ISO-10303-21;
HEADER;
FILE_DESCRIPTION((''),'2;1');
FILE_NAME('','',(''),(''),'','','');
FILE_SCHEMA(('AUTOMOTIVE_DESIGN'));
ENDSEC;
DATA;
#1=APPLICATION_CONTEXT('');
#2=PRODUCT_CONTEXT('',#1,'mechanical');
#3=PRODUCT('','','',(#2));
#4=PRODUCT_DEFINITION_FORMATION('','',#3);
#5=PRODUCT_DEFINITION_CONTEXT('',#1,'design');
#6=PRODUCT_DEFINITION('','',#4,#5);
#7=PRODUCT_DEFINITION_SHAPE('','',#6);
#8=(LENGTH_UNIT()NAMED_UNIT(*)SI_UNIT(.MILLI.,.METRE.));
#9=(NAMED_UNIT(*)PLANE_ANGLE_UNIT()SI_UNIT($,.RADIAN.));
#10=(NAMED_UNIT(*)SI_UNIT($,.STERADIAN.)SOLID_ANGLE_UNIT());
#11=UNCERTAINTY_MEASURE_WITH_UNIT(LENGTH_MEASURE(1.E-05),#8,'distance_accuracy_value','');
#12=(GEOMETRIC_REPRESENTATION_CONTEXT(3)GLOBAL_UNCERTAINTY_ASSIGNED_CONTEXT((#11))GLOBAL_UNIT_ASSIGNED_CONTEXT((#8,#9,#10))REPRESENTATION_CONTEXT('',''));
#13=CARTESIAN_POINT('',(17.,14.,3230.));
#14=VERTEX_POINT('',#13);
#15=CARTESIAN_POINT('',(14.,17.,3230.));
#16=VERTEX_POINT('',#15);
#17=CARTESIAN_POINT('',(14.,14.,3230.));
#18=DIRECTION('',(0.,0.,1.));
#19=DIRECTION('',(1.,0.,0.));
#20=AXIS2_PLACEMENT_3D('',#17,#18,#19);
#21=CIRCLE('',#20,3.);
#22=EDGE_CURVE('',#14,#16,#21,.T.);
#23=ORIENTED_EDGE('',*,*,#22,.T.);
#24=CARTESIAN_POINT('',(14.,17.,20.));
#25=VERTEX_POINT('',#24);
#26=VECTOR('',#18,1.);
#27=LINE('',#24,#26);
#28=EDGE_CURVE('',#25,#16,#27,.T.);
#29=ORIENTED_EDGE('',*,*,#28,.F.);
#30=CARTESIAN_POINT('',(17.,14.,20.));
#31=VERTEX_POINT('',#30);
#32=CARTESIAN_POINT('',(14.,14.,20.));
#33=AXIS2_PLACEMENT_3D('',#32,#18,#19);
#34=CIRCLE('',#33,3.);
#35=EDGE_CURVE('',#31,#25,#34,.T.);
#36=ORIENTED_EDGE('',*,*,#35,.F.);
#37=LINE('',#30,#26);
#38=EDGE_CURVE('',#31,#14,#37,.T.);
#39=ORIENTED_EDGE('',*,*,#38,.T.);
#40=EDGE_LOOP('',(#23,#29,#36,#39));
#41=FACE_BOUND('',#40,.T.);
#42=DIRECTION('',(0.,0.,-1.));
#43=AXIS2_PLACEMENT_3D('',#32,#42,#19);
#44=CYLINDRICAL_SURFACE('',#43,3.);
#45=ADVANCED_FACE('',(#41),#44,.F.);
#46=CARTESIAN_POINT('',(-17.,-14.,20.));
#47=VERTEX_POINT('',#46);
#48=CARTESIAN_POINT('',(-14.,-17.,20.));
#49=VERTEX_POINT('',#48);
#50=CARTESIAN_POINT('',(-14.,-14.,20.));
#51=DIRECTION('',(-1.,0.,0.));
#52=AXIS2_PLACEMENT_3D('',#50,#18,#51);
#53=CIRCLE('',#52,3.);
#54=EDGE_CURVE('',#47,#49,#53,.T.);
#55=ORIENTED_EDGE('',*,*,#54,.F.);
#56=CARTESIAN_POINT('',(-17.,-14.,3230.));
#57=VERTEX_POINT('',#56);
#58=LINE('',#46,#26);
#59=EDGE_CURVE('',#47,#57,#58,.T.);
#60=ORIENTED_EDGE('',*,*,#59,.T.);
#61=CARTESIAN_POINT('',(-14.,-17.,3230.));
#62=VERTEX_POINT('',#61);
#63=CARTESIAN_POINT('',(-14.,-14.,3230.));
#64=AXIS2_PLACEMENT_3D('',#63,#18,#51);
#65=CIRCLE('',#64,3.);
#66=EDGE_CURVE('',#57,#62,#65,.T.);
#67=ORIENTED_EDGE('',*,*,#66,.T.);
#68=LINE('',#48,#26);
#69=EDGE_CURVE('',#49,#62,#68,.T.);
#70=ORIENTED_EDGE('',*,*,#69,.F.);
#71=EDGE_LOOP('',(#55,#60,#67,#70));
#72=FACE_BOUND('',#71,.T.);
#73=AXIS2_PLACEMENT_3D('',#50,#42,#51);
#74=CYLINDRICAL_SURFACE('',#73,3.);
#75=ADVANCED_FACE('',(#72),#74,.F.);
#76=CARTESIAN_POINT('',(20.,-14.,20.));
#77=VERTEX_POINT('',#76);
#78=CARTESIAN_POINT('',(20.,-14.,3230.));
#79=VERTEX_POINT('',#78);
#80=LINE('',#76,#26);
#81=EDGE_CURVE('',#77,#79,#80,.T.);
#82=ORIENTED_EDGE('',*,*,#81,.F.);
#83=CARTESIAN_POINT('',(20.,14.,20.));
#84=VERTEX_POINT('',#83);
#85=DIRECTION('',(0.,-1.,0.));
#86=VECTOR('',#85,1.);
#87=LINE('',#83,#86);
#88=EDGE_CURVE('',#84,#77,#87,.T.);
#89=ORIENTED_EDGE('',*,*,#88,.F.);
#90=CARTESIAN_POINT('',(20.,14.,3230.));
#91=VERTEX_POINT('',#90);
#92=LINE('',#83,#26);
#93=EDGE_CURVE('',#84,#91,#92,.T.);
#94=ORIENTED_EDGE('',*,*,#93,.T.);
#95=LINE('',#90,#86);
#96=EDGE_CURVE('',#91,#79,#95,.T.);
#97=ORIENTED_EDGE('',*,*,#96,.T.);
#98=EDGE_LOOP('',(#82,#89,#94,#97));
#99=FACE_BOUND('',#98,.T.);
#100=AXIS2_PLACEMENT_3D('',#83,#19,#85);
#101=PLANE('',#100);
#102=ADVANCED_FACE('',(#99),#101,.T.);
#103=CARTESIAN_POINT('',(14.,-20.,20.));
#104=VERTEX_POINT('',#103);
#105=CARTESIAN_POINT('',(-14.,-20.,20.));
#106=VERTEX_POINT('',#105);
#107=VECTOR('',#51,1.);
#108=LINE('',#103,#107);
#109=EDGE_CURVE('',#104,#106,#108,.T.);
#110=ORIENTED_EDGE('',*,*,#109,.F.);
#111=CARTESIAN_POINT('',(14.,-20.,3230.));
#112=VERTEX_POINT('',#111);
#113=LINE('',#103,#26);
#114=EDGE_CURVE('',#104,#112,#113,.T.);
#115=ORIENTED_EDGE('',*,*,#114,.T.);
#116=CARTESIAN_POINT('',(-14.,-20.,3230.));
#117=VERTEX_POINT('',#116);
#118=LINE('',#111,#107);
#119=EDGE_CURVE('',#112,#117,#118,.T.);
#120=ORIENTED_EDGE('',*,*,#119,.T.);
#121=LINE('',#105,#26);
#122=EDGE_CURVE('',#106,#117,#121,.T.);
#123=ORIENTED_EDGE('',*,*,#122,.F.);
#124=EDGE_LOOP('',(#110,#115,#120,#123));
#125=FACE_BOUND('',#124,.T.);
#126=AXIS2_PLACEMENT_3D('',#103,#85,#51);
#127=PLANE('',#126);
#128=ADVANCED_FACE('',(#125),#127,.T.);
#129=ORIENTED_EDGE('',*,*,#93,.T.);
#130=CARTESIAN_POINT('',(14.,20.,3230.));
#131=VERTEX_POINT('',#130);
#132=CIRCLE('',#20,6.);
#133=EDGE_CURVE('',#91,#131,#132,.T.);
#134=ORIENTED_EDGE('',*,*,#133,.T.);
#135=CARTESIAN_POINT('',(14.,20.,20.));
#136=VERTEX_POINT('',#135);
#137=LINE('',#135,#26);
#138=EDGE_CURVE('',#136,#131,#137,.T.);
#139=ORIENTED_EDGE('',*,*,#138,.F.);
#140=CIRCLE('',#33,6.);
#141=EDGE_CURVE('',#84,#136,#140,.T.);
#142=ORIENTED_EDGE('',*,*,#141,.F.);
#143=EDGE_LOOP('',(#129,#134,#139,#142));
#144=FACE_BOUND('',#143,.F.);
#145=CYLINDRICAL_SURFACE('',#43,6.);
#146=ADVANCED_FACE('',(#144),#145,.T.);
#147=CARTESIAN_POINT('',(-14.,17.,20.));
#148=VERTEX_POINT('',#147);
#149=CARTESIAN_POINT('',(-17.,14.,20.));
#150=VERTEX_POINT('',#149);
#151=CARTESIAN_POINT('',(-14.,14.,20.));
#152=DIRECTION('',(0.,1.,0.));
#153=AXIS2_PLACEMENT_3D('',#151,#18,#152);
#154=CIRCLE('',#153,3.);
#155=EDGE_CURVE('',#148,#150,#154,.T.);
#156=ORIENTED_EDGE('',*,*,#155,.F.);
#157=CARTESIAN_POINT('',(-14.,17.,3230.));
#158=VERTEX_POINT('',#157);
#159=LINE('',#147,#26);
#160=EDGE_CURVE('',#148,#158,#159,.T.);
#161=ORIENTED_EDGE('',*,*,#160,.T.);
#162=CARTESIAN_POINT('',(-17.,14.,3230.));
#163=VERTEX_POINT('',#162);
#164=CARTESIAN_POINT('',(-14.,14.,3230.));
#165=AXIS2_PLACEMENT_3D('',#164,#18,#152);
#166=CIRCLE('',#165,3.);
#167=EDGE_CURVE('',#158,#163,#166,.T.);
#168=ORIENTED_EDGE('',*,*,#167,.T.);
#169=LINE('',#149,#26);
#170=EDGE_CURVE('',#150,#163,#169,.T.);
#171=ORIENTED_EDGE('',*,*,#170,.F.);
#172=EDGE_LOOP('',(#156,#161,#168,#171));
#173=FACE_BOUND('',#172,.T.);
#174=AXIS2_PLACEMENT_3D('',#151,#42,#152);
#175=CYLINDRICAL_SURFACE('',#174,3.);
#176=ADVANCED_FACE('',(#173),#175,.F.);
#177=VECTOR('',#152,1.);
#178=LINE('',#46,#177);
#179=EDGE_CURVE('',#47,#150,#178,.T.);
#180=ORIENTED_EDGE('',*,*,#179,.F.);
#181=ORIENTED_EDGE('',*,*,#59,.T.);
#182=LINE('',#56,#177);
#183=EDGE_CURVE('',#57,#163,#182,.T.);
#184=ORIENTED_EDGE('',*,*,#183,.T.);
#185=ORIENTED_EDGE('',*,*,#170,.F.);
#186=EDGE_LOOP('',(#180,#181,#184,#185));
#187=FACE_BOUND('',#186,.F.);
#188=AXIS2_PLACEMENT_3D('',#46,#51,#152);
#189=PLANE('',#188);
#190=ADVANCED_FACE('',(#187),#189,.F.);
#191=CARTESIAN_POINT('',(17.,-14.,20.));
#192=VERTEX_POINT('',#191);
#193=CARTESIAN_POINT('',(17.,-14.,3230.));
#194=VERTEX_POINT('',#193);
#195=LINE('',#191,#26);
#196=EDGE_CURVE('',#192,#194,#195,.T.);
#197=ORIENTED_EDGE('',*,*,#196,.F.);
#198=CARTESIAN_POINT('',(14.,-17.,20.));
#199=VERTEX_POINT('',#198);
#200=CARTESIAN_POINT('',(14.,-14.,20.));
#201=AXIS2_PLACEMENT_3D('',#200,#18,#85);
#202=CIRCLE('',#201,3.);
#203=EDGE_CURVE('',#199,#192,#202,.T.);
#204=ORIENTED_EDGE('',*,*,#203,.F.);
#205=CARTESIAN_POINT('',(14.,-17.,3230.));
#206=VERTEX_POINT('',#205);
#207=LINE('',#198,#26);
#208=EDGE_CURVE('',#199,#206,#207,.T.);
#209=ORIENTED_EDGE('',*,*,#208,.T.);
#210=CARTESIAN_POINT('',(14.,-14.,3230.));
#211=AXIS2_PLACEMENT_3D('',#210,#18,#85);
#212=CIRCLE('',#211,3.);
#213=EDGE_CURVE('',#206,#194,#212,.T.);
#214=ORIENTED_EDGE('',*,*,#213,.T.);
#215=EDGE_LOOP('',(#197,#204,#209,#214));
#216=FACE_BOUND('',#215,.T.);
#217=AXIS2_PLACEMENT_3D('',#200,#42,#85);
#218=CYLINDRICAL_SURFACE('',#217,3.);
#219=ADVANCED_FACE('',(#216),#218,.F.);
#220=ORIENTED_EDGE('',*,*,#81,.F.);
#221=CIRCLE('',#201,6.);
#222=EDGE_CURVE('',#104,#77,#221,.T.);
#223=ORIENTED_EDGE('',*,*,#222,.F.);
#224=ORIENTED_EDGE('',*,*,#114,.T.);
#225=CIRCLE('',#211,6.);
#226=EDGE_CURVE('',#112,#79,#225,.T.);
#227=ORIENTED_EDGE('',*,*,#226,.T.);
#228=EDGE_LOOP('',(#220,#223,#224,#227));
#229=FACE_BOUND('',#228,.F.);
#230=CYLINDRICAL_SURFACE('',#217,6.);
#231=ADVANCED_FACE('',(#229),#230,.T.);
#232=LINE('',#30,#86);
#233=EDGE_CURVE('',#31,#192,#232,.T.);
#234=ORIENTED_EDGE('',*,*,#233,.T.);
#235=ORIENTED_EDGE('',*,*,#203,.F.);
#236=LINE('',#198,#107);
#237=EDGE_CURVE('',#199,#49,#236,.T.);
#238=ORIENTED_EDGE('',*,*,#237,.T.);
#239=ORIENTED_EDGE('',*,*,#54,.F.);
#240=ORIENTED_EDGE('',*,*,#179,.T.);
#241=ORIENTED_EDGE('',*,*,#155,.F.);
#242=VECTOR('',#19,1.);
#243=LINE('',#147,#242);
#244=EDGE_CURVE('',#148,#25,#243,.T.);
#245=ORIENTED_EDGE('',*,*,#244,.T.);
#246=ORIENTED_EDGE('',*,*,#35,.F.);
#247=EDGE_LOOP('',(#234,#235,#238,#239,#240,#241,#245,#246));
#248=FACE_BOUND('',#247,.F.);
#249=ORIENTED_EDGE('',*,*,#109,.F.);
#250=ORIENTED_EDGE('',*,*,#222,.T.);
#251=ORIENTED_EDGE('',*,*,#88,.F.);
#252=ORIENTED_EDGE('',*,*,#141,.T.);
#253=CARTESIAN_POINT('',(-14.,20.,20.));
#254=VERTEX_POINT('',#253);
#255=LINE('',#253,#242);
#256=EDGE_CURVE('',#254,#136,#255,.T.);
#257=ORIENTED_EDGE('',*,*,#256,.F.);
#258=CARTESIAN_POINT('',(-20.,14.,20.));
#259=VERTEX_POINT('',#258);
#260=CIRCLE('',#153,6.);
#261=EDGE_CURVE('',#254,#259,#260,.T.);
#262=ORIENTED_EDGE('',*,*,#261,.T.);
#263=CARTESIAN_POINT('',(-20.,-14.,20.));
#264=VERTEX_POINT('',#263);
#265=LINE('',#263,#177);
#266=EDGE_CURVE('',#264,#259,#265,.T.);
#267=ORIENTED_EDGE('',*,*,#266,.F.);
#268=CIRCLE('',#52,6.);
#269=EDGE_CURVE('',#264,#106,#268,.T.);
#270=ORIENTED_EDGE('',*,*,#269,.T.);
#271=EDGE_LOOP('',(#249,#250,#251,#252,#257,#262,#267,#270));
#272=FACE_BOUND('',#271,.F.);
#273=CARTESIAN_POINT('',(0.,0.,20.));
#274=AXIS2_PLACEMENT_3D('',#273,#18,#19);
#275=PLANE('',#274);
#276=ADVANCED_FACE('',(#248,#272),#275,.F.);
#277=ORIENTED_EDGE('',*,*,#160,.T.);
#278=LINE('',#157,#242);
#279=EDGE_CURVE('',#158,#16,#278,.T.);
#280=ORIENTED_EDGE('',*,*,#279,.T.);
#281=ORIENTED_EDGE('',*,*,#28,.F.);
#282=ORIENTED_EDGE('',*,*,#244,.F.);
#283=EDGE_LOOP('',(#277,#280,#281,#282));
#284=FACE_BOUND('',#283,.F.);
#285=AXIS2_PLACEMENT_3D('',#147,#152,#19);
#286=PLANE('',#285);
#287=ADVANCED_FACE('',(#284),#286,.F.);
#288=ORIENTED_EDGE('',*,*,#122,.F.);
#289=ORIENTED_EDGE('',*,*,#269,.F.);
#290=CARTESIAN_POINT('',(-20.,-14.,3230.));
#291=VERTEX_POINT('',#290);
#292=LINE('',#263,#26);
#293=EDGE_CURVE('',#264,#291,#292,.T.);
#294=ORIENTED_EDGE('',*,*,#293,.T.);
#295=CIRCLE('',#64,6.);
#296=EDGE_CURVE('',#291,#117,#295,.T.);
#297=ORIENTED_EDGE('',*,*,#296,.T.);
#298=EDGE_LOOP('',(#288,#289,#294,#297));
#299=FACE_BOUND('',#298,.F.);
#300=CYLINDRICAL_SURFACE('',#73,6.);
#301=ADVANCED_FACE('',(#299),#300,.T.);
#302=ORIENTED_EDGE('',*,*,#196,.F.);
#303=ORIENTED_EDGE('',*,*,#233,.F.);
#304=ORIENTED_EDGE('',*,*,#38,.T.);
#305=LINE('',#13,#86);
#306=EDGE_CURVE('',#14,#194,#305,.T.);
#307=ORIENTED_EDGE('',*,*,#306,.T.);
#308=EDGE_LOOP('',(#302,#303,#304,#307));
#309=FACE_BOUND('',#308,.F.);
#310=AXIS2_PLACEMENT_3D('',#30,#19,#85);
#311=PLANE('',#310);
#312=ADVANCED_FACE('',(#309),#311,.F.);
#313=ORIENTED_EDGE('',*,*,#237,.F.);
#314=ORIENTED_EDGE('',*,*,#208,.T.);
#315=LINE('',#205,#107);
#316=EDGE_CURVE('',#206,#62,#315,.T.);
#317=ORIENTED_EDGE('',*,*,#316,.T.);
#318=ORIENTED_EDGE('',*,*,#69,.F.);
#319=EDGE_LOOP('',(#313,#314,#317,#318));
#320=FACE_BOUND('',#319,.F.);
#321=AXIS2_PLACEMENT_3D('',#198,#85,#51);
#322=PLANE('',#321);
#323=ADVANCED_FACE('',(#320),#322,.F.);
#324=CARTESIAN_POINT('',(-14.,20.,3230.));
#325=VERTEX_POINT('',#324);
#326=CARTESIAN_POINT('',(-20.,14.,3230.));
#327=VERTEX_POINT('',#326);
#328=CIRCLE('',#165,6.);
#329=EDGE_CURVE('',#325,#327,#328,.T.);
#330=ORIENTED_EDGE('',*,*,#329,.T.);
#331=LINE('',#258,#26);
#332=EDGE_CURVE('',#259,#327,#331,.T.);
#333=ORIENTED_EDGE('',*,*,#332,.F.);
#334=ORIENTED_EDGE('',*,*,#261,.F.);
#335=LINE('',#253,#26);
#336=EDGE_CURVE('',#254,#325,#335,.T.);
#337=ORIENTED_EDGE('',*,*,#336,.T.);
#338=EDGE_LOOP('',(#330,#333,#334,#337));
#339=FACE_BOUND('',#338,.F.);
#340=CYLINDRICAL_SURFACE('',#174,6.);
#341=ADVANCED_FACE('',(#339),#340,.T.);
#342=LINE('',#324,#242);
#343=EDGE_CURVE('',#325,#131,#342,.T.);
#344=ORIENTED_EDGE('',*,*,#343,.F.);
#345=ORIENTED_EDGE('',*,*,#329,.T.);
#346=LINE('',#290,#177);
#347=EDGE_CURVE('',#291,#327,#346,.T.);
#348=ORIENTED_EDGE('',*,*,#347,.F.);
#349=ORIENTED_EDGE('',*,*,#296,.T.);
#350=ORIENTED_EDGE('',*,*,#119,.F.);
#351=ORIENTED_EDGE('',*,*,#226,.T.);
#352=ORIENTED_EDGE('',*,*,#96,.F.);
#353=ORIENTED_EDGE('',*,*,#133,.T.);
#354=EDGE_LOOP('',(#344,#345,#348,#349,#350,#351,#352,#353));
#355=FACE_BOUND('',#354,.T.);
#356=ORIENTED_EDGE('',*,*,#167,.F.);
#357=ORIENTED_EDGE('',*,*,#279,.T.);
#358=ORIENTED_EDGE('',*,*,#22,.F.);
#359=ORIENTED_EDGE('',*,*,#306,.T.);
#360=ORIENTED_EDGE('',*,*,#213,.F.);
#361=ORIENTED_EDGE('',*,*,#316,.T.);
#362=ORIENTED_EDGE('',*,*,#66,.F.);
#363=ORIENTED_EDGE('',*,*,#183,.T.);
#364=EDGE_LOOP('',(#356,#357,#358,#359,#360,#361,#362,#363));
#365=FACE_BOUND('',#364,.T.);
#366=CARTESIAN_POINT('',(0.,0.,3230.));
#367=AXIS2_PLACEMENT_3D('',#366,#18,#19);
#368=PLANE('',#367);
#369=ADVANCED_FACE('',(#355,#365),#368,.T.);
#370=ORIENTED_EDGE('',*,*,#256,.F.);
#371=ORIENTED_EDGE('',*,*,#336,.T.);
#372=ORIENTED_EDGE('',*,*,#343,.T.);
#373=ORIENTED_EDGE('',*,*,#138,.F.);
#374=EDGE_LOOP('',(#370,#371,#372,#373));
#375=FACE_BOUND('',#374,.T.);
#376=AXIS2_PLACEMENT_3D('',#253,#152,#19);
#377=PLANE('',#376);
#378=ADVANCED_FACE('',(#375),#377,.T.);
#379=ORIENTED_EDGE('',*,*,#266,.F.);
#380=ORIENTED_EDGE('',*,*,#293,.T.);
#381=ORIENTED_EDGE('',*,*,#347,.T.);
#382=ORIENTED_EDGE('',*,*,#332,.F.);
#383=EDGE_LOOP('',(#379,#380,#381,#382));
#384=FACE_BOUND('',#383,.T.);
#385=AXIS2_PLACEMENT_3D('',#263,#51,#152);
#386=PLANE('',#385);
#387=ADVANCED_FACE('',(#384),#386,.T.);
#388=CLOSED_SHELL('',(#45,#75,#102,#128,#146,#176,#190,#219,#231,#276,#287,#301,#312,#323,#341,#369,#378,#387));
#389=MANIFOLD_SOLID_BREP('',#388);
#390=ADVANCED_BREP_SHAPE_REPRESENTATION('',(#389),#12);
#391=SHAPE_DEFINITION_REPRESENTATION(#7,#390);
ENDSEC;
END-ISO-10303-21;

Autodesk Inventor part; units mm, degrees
ref_plane "Start Plane" through (0, 0, 20) normal (0, 0, 1) x (1, 0, 0)
ref_plane "End Plane" through (0, 0, 3230) normal (0, 0, 1) x (1, 0, 0)
sketch "Sketch" plane through (0, 0, 0) normal (0, 0, 1) x (1, 0, 0)
  line L0 (-20, -14) -> (-20, 14)
  line L1 (-14, 20) -> (14, 20)
  line L2 (20, 14) -> (20, -14)
  line L3 (14, -20) -> (-14, -20)
  arc A0 (-20, -14) -> (-14, -20) centre (-14, -14) ccw
  arc A1 (20, 14) -> (14, 20) centre (14, 14) ccw
  arc A2 (-14, 20) -> (-20, 14) centre (-14, 14) ccw
  arc A3 (14, -20) -> (20, -14) centre (14, -14) ccw
  arc A4 (-14, 17) -> (-17, 14) centre (-14, 14) ccw
  line L4 (-14, 17) -> (14, 17)
  arc A5 (17, 14) -> (14, 17) centre (14, 14) ccw
  line L5 (17, 14) -> (17, -14)
  arc A6 (14, -17) -> (17, -14) centre (14, -14) ccw
  line L6 (14, -17) -> (-14, -17)
  arc A7 (-17, -14) -> (-14, -17) centre (-14, -14) ccw
  line L7 (-17, -14) -> (-17, 14)
  line L8 (0, 29.7397) -> (0, -29.7397) construction
  line L9 (-29.7397, 0) -> (29.7397, 0) construction
  dimension "d7" = 6
  dimension "d9" = 40
  dimension "d11" = 40
  dimension "d12" = 3
  dimension "d15" = 20
  dimension "d16" = 20
extrude "Body" add sketch "Sketch" along normal up to surface (3210 mm away) from surface at 20
sketch "Sketch3" plane through (0, 0, 0) normal (0, 0, 1) x (1, 0, 0)
  line L0 (0, 0) -> (10, 0)
ref_plane "Work Plane3" through (0, 0, 0) normal (0, -1, 0) x (1, 0, 0)
ref_plane "Work Plane4" through (-1144, 12, 3230) normal (0, 0, 1) x (1, 0, 0)
split "Split1" plane through (-1144, 12, 3230) removes the side toward (0, 0, 1)
ref_plane "Work Plane5" through (856, 12, 20) normal (0, 0, -1) x (-1, 0, 0)
split "Split2" plane through (856, 12, 20) removes the side toward (0, 0, -1)
sketch "Sketch4" plane through (0, 0, 0) normal (0, -1, 0) x (1, 0, 0)
  line L0 (-2, 20) -> (12, 20) projected
  line L1 (-2, 3230) -> (12, 3230) projected
  dimension "d18" = 3210
equation "\"d7\" = G_IR"
equation "\"d9\" = G_W"
equation "\"d11\" = G_H"
equation "\"d12\" = G_T"
equation "\"d15\" = 0.5 * d9"
equation "\"d16\" = 0.5 * d11"
equation "\"d3\" = G_L"
equation "\"G_W\" = 40"
equation "\"G_H\" = 40"
equation "\"G_T\" = 3"
equation "\"G_IR\" = 6"
equation "\"G_L\" = d18"
properties part number "ISO 10799-2 - 40x40x3 - 3210" material "Steel, Mild"
